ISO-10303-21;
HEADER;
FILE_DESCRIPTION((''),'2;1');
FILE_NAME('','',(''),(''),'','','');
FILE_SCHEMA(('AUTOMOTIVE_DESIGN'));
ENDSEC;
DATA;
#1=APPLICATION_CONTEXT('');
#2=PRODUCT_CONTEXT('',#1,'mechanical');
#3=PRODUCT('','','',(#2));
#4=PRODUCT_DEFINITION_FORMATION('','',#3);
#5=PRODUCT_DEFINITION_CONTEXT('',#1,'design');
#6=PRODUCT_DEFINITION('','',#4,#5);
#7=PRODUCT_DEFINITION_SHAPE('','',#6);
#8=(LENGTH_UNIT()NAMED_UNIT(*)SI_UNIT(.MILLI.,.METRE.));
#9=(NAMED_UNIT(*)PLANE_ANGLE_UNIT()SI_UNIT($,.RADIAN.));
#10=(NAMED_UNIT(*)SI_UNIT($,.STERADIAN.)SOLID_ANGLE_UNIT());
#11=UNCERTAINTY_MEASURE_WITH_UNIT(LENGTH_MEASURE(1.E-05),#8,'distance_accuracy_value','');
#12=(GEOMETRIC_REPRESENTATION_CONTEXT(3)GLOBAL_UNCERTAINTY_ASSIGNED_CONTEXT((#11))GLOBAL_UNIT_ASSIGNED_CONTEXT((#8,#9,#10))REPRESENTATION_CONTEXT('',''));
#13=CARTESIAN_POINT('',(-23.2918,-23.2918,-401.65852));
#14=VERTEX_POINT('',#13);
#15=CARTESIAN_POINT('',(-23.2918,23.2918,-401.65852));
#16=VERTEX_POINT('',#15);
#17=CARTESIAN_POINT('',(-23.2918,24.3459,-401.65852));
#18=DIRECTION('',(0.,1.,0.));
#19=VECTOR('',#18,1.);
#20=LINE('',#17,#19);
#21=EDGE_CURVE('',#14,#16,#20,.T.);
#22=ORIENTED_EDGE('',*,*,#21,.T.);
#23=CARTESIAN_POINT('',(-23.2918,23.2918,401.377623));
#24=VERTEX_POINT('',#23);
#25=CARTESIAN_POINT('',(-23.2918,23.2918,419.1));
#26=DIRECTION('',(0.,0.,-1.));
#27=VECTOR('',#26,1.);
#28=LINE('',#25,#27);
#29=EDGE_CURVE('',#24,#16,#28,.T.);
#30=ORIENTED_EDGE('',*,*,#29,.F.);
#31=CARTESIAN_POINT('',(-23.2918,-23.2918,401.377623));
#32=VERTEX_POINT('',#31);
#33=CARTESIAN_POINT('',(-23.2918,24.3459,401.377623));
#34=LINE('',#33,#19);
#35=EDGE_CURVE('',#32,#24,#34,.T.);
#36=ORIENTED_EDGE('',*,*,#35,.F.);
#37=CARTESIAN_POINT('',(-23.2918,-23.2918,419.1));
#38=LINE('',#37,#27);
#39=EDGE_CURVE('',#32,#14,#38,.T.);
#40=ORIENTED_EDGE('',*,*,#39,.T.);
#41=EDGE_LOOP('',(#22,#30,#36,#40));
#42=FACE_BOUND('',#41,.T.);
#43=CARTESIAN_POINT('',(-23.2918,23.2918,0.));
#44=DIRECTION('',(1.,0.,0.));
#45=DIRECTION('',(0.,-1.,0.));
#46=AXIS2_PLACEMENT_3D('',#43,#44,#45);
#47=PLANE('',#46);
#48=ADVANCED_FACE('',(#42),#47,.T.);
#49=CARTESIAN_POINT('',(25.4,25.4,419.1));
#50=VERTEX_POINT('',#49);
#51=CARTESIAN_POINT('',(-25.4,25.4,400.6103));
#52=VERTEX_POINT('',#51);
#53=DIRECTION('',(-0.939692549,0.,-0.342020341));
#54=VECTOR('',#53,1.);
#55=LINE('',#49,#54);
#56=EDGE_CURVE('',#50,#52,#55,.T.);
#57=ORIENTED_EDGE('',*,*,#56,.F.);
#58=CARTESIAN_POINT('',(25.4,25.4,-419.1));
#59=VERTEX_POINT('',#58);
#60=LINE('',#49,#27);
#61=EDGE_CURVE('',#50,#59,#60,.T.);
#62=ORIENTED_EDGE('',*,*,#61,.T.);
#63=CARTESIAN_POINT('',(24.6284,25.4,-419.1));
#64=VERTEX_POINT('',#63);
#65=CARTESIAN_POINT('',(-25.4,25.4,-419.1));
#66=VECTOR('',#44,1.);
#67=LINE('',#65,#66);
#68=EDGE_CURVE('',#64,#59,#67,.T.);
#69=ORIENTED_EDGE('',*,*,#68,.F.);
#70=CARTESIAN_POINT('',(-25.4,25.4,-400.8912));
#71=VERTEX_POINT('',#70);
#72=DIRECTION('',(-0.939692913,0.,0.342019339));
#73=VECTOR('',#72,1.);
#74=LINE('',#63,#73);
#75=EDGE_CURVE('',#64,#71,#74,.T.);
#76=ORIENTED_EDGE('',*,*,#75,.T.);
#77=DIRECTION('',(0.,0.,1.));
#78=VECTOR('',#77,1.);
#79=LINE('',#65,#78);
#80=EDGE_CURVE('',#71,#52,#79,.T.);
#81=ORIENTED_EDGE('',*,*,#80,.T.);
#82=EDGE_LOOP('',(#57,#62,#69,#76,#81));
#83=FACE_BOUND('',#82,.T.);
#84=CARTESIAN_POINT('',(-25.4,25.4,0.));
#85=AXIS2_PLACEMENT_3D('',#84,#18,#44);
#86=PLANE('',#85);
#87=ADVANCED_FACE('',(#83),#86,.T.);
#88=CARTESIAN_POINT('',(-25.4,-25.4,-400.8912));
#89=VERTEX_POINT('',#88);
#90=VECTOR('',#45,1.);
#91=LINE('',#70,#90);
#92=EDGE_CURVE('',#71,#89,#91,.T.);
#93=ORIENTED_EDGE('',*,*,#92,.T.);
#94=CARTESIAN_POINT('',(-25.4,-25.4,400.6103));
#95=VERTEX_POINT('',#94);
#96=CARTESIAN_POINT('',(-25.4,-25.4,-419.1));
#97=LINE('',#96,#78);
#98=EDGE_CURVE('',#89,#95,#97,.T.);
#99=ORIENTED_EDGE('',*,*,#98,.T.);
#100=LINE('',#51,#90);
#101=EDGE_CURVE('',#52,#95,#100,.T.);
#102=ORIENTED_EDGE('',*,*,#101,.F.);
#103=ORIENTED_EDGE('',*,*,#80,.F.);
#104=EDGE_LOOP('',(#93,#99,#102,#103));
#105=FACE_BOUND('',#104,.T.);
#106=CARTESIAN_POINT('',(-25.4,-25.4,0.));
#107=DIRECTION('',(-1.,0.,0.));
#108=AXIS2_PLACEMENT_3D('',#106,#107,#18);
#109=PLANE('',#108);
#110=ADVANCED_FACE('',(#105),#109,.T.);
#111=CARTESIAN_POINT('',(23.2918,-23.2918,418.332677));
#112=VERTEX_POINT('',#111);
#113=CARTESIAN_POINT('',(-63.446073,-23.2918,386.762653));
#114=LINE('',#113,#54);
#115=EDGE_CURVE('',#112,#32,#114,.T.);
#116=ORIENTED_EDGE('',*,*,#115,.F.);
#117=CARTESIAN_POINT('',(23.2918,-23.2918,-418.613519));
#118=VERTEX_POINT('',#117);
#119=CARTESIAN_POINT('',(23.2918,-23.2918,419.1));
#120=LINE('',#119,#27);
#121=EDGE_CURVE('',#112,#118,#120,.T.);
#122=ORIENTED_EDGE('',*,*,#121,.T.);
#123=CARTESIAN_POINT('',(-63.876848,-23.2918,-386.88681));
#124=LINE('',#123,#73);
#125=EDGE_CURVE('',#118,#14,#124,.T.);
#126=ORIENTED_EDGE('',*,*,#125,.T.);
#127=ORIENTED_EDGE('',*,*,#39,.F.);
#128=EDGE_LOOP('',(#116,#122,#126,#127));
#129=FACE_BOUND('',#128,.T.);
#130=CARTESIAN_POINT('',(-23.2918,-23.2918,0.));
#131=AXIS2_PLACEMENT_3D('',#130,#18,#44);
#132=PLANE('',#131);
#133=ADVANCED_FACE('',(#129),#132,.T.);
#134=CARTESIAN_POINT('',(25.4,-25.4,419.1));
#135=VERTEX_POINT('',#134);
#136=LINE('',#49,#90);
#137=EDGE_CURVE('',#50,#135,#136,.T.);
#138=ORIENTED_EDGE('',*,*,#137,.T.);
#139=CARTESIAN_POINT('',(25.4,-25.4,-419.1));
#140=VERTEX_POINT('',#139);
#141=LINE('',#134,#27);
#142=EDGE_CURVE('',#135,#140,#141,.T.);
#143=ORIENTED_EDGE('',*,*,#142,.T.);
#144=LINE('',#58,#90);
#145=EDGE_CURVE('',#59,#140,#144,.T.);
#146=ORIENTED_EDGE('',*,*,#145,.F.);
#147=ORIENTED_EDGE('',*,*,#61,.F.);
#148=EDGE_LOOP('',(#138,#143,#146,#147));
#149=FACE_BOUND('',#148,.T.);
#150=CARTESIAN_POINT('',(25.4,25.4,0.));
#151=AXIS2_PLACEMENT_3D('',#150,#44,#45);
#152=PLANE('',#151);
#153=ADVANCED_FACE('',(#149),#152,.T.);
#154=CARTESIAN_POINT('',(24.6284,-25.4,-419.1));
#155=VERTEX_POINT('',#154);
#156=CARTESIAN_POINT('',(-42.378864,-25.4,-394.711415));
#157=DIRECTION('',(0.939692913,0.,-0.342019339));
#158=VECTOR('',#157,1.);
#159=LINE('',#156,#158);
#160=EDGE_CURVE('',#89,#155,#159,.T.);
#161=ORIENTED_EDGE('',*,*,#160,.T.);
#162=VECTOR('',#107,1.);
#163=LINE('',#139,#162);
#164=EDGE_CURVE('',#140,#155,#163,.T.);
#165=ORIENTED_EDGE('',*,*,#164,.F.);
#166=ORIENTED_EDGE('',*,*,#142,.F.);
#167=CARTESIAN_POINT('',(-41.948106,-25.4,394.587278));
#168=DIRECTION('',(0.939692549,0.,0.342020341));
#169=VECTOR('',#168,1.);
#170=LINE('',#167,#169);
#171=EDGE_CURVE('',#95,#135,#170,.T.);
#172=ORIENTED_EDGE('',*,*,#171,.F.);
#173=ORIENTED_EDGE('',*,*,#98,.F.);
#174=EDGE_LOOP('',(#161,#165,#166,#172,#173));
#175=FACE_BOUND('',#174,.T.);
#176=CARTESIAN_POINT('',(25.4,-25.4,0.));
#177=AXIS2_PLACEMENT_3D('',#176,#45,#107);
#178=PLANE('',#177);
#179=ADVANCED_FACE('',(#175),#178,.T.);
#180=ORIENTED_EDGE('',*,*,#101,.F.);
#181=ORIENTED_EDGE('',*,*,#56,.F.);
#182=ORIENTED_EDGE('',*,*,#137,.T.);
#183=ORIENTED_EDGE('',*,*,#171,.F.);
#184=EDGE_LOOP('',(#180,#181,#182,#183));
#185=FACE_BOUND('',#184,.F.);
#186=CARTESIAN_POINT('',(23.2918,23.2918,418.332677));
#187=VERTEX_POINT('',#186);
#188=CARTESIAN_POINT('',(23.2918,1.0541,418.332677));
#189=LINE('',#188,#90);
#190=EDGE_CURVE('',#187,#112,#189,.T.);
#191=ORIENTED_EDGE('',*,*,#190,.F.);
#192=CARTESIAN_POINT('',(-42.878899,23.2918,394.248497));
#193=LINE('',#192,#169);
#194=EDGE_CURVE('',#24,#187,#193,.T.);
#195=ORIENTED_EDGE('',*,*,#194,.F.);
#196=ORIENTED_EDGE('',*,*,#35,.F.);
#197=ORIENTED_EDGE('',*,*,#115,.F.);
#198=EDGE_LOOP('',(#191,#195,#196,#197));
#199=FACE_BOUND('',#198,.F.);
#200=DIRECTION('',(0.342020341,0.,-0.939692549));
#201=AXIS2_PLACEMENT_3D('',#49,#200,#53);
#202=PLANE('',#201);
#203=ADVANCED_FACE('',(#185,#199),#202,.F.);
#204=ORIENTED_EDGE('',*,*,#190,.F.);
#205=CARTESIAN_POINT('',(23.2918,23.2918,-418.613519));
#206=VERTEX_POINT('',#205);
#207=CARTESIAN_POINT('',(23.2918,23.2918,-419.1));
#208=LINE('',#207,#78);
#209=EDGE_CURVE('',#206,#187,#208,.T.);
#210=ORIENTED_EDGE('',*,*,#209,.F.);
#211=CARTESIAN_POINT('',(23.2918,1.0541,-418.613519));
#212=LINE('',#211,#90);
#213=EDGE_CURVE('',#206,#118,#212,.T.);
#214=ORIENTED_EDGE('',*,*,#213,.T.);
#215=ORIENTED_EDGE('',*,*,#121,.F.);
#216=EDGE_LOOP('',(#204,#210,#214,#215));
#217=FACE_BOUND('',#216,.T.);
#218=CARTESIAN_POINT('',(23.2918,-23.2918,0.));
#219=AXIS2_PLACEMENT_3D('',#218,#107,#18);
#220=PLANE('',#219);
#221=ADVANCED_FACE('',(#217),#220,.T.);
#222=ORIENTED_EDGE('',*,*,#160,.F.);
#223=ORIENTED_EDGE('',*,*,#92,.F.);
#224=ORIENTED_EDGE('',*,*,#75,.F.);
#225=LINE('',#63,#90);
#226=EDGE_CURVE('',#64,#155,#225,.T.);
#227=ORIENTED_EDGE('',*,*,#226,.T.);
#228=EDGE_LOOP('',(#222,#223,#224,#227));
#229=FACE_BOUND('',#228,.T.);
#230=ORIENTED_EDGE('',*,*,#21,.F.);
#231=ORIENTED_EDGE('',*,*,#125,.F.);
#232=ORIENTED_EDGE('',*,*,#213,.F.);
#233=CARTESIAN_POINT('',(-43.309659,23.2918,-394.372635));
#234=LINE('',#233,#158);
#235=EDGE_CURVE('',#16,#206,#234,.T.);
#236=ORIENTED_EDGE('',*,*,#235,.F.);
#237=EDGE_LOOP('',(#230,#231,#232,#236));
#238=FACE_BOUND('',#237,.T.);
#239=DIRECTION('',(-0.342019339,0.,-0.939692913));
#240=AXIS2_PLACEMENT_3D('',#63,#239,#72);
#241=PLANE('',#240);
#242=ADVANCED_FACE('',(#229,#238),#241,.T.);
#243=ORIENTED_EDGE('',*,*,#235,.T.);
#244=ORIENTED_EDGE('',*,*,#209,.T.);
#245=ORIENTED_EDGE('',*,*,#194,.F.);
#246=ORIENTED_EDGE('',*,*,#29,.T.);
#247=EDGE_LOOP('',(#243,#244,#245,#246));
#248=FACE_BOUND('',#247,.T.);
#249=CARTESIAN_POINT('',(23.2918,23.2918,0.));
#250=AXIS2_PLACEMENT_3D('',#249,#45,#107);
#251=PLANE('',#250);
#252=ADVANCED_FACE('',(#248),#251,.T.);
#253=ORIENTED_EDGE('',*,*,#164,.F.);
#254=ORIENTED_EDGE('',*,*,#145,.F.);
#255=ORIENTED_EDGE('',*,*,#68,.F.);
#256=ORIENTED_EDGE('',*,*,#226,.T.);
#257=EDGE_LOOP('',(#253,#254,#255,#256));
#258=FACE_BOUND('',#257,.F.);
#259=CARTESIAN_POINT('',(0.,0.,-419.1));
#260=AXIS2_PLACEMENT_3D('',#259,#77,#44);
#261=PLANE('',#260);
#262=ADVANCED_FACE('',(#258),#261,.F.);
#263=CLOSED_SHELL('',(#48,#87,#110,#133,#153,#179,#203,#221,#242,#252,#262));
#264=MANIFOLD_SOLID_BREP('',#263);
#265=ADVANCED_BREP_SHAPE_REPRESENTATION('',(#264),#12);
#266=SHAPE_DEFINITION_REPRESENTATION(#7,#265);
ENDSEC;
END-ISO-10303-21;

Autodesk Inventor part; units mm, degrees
ref_plane "YZ Plane" through (0, 0, 0) normal (1, 0, 0) x (0, 1, 0)
ref_plane "XZ Plane" through (0, 0, 0) normal (0, 1, 0) x (-1, 0, 0)
ref_plane "XY Plane" through (0, 0, 0) normal (0, 0, 1) x (1, 0, 0)
sketch "Sketch1" plane through (0, 0, 0) normal (0, 0, 1) x (1, 0, 0)
  line L0 (-25.4, 25.4) -> (25.4, 25.4)
  line L1 (25.4, 25.4) -> (25.4, -25.4)
  line L2 (25.4, -25.4) -> (-25.4, -25.4)
  line L3 (-25.4, -25.4) -> (-25.4, 25.4)
  line L4 (23.2918, 23.2918) -> (-23.2918, 23.2918)
  line L5 (-23.2918, 23.2918) -> (-23.2918, -23.2918)
  line L6 (-23.2918, -23.2918) -> (23.2918, -23.2918)
  line L7 (23.2918, -23.2918) -> (23.2918, 23.2918)
  point P0 (0, 0)
  point P1 (0, 25.4)
  point P2 (23.2918, 0)
  dimension "d0" = 50.8
  dimension "d1" = 50.8
  dimension "d2" = 2.1082
extrude "Extrusion1" add sketch "Sketch1" along normal mid plane 838.2
sketch "Sketch2" plane through (-25.4, 25.4, 419.1) normal (0, 1, 0) x (1, 0, 0)
  line L0 (50.8, 0) -> (109.4588, 0) construction
  line L1 (50.0284, 838.2) -> (109.4588, 838.2) construction
  line L2 (50.8, 0) -> (0, 18.4897)
  line L3 (50.8, 0) -> (104.8602, 0) construction
  line L4 (0, 18.4897) -> (0, 0)
  line L5 (0, 0) -> (50.8, 0)
  line L6 (50.0284, 838.2) -> (109.4588, 838.2) construction
  line L7 (0, 838.2) -> (50.0284, 838.2)
  line L8 (0, 838.2) -> (0, 0) projected
  line L9 (50.0284, 838.2) -> (0, 819.9912)
  line L10 (50.0284, 838.2) -> (103.2675, 838.2) construction
  line L11 (0, 819.9912) -> (0, 838.2)
  point P0 (25.4, 419.1)
  dimension "d7" = 160
  dimension "d11" = 160
extrude "Extrusion2" cut sketch "Sketch2" against normal through all
properties part number "TV mount center"
